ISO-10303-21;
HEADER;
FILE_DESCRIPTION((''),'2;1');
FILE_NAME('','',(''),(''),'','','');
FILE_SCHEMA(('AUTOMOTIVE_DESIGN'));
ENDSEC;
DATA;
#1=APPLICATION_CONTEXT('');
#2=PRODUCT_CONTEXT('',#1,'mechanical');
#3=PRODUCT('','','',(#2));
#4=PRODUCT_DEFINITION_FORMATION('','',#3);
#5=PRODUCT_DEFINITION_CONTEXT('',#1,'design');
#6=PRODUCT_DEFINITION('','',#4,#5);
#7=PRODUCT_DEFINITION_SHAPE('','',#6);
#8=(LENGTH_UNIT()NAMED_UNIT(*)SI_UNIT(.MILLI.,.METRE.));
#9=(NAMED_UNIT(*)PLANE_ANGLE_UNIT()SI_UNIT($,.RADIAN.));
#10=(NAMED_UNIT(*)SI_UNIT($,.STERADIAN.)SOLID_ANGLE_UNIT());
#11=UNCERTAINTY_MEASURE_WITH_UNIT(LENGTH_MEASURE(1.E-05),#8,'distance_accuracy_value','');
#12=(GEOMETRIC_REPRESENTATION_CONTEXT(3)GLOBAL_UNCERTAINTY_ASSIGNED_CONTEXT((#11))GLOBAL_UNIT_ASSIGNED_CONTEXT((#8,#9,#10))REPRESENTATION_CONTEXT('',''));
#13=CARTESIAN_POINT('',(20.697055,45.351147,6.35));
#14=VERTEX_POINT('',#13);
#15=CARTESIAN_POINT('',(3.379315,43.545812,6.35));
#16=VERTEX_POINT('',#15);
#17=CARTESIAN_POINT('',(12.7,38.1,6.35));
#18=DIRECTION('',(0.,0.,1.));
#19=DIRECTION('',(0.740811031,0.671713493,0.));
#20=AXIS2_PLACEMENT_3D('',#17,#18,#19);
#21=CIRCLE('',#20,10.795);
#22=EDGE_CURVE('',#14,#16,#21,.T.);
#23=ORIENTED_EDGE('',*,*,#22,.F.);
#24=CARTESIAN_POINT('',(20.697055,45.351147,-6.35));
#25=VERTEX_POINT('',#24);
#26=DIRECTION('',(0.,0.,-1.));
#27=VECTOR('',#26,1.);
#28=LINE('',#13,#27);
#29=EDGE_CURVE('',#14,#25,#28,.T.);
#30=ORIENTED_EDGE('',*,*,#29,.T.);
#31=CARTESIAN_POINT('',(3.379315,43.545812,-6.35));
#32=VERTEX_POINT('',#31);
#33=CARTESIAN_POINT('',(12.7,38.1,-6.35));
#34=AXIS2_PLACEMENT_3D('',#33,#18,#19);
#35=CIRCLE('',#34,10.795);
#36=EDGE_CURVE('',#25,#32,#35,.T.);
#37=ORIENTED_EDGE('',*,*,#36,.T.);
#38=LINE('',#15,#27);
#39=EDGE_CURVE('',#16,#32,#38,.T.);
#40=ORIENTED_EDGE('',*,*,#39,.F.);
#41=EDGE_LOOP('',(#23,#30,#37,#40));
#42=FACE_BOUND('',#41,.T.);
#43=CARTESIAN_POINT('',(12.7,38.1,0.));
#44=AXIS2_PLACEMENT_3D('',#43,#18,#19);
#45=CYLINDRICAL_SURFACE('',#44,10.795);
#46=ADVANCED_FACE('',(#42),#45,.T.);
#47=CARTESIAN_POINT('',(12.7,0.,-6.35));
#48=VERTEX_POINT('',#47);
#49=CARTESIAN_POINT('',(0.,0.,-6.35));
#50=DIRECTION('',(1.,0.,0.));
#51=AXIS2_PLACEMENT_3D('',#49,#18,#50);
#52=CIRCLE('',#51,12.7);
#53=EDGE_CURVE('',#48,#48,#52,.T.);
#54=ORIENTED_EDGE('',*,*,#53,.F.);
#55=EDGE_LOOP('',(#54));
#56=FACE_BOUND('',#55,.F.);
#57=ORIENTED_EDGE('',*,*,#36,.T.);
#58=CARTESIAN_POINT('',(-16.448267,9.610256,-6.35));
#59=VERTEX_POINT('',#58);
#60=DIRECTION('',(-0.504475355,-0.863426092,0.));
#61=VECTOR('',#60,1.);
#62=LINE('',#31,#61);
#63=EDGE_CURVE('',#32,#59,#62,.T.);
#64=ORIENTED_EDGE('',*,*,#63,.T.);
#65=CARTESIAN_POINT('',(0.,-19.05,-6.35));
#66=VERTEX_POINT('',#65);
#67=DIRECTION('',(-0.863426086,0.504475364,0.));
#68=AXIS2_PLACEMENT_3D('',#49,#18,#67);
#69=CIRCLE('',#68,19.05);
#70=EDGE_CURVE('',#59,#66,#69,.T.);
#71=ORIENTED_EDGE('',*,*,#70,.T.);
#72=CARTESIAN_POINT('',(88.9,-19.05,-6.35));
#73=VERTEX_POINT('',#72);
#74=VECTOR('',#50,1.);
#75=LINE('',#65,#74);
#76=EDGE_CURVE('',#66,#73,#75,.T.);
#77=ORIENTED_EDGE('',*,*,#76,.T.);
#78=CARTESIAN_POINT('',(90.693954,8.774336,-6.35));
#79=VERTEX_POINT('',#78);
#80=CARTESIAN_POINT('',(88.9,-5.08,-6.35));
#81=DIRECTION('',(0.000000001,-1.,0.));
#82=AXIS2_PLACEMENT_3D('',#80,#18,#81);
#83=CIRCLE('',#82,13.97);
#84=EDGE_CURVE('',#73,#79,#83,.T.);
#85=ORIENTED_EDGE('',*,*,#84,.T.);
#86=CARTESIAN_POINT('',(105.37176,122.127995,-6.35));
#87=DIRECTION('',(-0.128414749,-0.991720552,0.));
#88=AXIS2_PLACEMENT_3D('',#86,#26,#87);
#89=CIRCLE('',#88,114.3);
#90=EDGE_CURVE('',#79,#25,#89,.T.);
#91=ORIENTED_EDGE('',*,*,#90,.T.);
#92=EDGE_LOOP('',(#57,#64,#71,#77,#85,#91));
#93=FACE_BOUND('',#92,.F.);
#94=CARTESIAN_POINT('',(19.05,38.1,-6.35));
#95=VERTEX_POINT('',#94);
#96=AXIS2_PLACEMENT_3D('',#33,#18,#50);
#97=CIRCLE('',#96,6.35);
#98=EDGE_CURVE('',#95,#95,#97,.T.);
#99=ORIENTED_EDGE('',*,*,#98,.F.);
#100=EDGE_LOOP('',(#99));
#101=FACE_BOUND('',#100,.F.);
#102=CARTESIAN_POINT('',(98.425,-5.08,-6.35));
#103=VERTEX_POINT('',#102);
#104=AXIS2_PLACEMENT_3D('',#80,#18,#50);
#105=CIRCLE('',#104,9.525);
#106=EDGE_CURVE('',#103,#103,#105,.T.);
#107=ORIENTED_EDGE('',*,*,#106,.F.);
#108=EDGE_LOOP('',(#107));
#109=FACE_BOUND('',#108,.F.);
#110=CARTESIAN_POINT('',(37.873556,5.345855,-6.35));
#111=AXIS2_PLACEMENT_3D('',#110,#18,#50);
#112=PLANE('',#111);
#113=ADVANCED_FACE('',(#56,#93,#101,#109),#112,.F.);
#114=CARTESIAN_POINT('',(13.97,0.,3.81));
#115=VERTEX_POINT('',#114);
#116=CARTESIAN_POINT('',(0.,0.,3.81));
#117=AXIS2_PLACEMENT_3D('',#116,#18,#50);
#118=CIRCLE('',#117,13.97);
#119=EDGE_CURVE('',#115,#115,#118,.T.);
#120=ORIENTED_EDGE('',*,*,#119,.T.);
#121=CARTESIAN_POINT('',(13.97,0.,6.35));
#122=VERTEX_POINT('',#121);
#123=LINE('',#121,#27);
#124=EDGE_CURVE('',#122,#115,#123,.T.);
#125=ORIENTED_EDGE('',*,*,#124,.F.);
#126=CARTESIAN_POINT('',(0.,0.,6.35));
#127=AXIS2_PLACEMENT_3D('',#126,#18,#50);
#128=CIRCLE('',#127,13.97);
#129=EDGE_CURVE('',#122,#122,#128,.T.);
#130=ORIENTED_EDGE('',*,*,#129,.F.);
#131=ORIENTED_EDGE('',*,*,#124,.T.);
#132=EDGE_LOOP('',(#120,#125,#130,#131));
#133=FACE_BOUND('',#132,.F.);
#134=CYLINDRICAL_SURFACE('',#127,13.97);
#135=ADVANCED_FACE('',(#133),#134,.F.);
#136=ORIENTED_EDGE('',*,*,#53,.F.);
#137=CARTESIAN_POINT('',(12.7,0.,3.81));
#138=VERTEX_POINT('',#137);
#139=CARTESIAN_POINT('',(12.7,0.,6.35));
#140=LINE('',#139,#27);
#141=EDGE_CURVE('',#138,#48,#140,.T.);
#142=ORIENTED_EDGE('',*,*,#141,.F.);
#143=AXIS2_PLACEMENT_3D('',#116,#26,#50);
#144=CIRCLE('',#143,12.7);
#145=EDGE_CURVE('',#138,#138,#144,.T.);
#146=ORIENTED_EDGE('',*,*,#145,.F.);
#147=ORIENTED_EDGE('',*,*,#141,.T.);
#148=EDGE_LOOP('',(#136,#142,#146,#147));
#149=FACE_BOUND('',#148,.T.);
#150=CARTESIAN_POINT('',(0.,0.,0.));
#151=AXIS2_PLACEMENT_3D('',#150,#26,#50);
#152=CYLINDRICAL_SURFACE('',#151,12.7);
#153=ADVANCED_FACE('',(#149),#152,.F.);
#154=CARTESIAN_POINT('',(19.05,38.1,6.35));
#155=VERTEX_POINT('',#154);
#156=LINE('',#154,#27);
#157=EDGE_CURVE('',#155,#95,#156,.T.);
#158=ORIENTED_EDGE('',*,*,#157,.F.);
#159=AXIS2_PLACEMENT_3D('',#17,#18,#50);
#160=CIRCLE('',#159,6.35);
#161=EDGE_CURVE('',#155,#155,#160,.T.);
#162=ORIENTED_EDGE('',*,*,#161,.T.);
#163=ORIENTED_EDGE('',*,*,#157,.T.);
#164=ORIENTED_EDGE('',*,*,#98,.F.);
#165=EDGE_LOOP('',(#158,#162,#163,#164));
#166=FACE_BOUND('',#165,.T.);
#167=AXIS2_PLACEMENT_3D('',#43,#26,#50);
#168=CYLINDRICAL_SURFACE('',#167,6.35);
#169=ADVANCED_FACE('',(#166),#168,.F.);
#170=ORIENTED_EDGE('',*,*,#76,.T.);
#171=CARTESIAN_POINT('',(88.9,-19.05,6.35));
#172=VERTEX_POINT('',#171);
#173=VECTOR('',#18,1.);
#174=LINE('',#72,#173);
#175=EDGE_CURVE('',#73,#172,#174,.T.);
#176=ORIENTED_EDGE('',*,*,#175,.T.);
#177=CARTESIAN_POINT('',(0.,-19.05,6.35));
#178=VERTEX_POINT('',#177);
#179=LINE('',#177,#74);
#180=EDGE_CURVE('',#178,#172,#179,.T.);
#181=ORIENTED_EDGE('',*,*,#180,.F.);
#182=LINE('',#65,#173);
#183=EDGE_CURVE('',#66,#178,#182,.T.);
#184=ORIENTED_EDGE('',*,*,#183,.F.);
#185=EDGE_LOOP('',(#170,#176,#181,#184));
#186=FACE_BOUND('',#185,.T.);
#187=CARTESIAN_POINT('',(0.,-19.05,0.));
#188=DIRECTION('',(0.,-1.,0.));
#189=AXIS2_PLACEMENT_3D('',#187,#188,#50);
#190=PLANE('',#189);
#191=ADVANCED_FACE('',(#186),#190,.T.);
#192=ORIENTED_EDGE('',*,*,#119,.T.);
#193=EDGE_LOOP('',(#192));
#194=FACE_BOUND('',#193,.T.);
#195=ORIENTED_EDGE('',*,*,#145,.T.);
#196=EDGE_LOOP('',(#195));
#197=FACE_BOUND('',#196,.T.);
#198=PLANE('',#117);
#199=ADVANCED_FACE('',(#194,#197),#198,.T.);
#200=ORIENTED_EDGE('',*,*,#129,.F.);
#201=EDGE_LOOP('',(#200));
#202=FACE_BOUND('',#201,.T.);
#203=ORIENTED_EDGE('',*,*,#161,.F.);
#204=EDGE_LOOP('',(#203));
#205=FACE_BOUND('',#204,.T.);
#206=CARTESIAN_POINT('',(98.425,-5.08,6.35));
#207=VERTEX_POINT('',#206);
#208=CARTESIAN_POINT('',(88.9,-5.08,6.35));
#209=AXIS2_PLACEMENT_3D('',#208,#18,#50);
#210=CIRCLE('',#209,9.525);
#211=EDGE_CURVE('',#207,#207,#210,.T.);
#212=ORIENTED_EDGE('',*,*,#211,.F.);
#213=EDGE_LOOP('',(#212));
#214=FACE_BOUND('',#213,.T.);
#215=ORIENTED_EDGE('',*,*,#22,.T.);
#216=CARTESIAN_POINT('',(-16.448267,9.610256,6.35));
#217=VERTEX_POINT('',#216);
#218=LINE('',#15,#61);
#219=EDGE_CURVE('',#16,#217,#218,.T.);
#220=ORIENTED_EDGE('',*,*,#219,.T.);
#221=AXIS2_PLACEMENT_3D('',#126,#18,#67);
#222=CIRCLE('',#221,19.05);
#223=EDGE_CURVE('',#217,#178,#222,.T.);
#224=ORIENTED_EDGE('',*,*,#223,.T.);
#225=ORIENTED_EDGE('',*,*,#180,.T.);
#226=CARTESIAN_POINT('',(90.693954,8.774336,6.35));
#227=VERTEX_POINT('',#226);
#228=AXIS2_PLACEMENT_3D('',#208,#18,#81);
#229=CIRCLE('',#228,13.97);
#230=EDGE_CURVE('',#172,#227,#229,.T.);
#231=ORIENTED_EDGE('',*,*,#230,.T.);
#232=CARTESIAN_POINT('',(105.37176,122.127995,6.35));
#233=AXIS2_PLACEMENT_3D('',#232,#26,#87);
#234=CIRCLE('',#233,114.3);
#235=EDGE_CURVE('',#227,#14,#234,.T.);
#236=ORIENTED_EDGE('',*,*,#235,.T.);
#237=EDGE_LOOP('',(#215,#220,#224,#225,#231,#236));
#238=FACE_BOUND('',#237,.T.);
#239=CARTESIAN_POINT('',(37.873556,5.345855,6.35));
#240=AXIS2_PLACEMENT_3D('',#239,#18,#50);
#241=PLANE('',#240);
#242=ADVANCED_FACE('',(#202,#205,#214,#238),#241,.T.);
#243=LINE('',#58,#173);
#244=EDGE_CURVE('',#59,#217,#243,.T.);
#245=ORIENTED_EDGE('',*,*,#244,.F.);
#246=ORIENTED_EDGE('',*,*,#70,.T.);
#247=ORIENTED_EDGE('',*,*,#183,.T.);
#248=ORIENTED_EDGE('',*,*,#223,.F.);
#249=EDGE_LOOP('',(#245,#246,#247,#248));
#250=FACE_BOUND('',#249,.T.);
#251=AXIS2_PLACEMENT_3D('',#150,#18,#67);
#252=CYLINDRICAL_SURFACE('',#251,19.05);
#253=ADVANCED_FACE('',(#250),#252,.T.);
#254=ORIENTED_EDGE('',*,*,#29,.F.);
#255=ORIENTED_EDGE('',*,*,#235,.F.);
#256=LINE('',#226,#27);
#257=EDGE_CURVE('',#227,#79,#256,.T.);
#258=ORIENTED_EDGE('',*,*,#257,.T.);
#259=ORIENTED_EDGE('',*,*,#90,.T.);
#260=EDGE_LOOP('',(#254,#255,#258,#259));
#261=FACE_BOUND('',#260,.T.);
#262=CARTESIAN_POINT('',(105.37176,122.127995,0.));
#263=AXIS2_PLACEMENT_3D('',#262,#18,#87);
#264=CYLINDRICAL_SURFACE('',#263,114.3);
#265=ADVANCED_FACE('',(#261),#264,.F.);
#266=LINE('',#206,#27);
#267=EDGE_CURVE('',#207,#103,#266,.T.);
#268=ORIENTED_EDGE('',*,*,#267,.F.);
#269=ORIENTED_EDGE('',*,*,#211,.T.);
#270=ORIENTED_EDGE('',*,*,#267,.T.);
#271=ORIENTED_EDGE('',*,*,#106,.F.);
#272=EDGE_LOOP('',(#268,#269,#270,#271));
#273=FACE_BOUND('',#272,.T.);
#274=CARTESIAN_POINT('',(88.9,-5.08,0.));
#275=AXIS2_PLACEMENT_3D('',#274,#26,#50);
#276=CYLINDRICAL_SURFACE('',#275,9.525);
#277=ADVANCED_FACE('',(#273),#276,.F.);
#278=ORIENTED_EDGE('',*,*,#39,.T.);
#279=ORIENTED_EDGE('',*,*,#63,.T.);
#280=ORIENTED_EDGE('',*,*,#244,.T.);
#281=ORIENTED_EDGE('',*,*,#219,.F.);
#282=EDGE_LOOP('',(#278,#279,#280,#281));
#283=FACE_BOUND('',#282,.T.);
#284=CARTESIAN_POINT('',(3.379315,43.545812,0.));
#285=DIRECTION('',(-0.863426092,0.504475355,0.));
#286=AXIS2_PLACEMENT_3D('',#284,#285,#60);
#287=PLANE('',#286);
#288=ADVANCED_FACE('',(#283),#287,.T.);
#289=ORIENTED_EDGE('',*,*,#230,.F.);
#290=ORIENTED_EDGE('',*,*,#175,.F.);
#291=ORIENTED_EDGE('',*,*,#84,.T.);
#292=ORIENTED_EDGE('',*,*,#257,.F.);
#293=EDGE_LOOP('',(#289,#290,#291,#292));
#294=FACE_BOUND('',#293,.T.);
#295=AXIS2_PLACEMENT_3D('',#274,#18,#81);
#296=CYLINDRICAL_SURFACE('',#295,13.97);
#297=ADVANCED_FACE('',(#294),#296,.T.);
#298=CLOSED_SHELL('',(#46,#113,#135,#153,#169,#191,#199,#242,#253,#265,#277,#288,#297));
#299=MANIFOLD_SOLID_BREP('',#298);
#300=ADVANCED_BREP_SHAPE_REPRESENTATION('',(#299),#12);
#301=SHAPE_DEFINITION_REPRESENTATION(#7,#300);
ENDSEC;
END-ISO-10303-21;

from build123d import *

# Parameters (mm, degrees)
F0_R     = 12.7
F0_R_2   = 9.525
F0_R_3   = 6.35
F1_DEPTH = 6.35
F2_R     = 13.97
F3_DEPTH = 2.54


with BuildPart() as f1:
    # F0 (on Top) → F1 (new body, symmetric)
    with BuildSketch(Plane.XY):
        with BuildLine():
            Line((3.379315, 43.545812), (-16.448267, 9.610256))
            ThreePointArc((-16.448267, 9.610256), (-16.522377, -9.482276), (0, -19.05))
            Line((0, -19.05), (88.9, -19.05))
            ThreePointArc((88.9, -19.05), (102.841054, -5.978839), (90.693954, 8.774336))
            ThreePointArc((90.693954, 8.774336), (52.435987, 20.825014), (20.697055, 45.351147))
            ThreePointArc((20.697055, 45.351147), (11.580711, 48.836816), (3.379315, 43.545812))
        make_face()
        Circle(F0_R, mode=Mode.SUBTRACT)
        with Locations((88.9, -5.08)):
            Circle(F0_R_2, mode=Mode.SUBTRACT)
        with Locations((12.7, 38.1)):
            Circle(F0_R_3, mode=Mode.SUBTRACT)
    extrude(amount=F1_DEPTH, both=True)

    # F2 (on face) → F3 (cut)
    with BuildSketch(Plane.XY.offset(6.35)):
        Circle(F2_R)
    extrude(amount=-F3_DEPTH, mode=Mode.SUBTRACT)


solid = f1.part
